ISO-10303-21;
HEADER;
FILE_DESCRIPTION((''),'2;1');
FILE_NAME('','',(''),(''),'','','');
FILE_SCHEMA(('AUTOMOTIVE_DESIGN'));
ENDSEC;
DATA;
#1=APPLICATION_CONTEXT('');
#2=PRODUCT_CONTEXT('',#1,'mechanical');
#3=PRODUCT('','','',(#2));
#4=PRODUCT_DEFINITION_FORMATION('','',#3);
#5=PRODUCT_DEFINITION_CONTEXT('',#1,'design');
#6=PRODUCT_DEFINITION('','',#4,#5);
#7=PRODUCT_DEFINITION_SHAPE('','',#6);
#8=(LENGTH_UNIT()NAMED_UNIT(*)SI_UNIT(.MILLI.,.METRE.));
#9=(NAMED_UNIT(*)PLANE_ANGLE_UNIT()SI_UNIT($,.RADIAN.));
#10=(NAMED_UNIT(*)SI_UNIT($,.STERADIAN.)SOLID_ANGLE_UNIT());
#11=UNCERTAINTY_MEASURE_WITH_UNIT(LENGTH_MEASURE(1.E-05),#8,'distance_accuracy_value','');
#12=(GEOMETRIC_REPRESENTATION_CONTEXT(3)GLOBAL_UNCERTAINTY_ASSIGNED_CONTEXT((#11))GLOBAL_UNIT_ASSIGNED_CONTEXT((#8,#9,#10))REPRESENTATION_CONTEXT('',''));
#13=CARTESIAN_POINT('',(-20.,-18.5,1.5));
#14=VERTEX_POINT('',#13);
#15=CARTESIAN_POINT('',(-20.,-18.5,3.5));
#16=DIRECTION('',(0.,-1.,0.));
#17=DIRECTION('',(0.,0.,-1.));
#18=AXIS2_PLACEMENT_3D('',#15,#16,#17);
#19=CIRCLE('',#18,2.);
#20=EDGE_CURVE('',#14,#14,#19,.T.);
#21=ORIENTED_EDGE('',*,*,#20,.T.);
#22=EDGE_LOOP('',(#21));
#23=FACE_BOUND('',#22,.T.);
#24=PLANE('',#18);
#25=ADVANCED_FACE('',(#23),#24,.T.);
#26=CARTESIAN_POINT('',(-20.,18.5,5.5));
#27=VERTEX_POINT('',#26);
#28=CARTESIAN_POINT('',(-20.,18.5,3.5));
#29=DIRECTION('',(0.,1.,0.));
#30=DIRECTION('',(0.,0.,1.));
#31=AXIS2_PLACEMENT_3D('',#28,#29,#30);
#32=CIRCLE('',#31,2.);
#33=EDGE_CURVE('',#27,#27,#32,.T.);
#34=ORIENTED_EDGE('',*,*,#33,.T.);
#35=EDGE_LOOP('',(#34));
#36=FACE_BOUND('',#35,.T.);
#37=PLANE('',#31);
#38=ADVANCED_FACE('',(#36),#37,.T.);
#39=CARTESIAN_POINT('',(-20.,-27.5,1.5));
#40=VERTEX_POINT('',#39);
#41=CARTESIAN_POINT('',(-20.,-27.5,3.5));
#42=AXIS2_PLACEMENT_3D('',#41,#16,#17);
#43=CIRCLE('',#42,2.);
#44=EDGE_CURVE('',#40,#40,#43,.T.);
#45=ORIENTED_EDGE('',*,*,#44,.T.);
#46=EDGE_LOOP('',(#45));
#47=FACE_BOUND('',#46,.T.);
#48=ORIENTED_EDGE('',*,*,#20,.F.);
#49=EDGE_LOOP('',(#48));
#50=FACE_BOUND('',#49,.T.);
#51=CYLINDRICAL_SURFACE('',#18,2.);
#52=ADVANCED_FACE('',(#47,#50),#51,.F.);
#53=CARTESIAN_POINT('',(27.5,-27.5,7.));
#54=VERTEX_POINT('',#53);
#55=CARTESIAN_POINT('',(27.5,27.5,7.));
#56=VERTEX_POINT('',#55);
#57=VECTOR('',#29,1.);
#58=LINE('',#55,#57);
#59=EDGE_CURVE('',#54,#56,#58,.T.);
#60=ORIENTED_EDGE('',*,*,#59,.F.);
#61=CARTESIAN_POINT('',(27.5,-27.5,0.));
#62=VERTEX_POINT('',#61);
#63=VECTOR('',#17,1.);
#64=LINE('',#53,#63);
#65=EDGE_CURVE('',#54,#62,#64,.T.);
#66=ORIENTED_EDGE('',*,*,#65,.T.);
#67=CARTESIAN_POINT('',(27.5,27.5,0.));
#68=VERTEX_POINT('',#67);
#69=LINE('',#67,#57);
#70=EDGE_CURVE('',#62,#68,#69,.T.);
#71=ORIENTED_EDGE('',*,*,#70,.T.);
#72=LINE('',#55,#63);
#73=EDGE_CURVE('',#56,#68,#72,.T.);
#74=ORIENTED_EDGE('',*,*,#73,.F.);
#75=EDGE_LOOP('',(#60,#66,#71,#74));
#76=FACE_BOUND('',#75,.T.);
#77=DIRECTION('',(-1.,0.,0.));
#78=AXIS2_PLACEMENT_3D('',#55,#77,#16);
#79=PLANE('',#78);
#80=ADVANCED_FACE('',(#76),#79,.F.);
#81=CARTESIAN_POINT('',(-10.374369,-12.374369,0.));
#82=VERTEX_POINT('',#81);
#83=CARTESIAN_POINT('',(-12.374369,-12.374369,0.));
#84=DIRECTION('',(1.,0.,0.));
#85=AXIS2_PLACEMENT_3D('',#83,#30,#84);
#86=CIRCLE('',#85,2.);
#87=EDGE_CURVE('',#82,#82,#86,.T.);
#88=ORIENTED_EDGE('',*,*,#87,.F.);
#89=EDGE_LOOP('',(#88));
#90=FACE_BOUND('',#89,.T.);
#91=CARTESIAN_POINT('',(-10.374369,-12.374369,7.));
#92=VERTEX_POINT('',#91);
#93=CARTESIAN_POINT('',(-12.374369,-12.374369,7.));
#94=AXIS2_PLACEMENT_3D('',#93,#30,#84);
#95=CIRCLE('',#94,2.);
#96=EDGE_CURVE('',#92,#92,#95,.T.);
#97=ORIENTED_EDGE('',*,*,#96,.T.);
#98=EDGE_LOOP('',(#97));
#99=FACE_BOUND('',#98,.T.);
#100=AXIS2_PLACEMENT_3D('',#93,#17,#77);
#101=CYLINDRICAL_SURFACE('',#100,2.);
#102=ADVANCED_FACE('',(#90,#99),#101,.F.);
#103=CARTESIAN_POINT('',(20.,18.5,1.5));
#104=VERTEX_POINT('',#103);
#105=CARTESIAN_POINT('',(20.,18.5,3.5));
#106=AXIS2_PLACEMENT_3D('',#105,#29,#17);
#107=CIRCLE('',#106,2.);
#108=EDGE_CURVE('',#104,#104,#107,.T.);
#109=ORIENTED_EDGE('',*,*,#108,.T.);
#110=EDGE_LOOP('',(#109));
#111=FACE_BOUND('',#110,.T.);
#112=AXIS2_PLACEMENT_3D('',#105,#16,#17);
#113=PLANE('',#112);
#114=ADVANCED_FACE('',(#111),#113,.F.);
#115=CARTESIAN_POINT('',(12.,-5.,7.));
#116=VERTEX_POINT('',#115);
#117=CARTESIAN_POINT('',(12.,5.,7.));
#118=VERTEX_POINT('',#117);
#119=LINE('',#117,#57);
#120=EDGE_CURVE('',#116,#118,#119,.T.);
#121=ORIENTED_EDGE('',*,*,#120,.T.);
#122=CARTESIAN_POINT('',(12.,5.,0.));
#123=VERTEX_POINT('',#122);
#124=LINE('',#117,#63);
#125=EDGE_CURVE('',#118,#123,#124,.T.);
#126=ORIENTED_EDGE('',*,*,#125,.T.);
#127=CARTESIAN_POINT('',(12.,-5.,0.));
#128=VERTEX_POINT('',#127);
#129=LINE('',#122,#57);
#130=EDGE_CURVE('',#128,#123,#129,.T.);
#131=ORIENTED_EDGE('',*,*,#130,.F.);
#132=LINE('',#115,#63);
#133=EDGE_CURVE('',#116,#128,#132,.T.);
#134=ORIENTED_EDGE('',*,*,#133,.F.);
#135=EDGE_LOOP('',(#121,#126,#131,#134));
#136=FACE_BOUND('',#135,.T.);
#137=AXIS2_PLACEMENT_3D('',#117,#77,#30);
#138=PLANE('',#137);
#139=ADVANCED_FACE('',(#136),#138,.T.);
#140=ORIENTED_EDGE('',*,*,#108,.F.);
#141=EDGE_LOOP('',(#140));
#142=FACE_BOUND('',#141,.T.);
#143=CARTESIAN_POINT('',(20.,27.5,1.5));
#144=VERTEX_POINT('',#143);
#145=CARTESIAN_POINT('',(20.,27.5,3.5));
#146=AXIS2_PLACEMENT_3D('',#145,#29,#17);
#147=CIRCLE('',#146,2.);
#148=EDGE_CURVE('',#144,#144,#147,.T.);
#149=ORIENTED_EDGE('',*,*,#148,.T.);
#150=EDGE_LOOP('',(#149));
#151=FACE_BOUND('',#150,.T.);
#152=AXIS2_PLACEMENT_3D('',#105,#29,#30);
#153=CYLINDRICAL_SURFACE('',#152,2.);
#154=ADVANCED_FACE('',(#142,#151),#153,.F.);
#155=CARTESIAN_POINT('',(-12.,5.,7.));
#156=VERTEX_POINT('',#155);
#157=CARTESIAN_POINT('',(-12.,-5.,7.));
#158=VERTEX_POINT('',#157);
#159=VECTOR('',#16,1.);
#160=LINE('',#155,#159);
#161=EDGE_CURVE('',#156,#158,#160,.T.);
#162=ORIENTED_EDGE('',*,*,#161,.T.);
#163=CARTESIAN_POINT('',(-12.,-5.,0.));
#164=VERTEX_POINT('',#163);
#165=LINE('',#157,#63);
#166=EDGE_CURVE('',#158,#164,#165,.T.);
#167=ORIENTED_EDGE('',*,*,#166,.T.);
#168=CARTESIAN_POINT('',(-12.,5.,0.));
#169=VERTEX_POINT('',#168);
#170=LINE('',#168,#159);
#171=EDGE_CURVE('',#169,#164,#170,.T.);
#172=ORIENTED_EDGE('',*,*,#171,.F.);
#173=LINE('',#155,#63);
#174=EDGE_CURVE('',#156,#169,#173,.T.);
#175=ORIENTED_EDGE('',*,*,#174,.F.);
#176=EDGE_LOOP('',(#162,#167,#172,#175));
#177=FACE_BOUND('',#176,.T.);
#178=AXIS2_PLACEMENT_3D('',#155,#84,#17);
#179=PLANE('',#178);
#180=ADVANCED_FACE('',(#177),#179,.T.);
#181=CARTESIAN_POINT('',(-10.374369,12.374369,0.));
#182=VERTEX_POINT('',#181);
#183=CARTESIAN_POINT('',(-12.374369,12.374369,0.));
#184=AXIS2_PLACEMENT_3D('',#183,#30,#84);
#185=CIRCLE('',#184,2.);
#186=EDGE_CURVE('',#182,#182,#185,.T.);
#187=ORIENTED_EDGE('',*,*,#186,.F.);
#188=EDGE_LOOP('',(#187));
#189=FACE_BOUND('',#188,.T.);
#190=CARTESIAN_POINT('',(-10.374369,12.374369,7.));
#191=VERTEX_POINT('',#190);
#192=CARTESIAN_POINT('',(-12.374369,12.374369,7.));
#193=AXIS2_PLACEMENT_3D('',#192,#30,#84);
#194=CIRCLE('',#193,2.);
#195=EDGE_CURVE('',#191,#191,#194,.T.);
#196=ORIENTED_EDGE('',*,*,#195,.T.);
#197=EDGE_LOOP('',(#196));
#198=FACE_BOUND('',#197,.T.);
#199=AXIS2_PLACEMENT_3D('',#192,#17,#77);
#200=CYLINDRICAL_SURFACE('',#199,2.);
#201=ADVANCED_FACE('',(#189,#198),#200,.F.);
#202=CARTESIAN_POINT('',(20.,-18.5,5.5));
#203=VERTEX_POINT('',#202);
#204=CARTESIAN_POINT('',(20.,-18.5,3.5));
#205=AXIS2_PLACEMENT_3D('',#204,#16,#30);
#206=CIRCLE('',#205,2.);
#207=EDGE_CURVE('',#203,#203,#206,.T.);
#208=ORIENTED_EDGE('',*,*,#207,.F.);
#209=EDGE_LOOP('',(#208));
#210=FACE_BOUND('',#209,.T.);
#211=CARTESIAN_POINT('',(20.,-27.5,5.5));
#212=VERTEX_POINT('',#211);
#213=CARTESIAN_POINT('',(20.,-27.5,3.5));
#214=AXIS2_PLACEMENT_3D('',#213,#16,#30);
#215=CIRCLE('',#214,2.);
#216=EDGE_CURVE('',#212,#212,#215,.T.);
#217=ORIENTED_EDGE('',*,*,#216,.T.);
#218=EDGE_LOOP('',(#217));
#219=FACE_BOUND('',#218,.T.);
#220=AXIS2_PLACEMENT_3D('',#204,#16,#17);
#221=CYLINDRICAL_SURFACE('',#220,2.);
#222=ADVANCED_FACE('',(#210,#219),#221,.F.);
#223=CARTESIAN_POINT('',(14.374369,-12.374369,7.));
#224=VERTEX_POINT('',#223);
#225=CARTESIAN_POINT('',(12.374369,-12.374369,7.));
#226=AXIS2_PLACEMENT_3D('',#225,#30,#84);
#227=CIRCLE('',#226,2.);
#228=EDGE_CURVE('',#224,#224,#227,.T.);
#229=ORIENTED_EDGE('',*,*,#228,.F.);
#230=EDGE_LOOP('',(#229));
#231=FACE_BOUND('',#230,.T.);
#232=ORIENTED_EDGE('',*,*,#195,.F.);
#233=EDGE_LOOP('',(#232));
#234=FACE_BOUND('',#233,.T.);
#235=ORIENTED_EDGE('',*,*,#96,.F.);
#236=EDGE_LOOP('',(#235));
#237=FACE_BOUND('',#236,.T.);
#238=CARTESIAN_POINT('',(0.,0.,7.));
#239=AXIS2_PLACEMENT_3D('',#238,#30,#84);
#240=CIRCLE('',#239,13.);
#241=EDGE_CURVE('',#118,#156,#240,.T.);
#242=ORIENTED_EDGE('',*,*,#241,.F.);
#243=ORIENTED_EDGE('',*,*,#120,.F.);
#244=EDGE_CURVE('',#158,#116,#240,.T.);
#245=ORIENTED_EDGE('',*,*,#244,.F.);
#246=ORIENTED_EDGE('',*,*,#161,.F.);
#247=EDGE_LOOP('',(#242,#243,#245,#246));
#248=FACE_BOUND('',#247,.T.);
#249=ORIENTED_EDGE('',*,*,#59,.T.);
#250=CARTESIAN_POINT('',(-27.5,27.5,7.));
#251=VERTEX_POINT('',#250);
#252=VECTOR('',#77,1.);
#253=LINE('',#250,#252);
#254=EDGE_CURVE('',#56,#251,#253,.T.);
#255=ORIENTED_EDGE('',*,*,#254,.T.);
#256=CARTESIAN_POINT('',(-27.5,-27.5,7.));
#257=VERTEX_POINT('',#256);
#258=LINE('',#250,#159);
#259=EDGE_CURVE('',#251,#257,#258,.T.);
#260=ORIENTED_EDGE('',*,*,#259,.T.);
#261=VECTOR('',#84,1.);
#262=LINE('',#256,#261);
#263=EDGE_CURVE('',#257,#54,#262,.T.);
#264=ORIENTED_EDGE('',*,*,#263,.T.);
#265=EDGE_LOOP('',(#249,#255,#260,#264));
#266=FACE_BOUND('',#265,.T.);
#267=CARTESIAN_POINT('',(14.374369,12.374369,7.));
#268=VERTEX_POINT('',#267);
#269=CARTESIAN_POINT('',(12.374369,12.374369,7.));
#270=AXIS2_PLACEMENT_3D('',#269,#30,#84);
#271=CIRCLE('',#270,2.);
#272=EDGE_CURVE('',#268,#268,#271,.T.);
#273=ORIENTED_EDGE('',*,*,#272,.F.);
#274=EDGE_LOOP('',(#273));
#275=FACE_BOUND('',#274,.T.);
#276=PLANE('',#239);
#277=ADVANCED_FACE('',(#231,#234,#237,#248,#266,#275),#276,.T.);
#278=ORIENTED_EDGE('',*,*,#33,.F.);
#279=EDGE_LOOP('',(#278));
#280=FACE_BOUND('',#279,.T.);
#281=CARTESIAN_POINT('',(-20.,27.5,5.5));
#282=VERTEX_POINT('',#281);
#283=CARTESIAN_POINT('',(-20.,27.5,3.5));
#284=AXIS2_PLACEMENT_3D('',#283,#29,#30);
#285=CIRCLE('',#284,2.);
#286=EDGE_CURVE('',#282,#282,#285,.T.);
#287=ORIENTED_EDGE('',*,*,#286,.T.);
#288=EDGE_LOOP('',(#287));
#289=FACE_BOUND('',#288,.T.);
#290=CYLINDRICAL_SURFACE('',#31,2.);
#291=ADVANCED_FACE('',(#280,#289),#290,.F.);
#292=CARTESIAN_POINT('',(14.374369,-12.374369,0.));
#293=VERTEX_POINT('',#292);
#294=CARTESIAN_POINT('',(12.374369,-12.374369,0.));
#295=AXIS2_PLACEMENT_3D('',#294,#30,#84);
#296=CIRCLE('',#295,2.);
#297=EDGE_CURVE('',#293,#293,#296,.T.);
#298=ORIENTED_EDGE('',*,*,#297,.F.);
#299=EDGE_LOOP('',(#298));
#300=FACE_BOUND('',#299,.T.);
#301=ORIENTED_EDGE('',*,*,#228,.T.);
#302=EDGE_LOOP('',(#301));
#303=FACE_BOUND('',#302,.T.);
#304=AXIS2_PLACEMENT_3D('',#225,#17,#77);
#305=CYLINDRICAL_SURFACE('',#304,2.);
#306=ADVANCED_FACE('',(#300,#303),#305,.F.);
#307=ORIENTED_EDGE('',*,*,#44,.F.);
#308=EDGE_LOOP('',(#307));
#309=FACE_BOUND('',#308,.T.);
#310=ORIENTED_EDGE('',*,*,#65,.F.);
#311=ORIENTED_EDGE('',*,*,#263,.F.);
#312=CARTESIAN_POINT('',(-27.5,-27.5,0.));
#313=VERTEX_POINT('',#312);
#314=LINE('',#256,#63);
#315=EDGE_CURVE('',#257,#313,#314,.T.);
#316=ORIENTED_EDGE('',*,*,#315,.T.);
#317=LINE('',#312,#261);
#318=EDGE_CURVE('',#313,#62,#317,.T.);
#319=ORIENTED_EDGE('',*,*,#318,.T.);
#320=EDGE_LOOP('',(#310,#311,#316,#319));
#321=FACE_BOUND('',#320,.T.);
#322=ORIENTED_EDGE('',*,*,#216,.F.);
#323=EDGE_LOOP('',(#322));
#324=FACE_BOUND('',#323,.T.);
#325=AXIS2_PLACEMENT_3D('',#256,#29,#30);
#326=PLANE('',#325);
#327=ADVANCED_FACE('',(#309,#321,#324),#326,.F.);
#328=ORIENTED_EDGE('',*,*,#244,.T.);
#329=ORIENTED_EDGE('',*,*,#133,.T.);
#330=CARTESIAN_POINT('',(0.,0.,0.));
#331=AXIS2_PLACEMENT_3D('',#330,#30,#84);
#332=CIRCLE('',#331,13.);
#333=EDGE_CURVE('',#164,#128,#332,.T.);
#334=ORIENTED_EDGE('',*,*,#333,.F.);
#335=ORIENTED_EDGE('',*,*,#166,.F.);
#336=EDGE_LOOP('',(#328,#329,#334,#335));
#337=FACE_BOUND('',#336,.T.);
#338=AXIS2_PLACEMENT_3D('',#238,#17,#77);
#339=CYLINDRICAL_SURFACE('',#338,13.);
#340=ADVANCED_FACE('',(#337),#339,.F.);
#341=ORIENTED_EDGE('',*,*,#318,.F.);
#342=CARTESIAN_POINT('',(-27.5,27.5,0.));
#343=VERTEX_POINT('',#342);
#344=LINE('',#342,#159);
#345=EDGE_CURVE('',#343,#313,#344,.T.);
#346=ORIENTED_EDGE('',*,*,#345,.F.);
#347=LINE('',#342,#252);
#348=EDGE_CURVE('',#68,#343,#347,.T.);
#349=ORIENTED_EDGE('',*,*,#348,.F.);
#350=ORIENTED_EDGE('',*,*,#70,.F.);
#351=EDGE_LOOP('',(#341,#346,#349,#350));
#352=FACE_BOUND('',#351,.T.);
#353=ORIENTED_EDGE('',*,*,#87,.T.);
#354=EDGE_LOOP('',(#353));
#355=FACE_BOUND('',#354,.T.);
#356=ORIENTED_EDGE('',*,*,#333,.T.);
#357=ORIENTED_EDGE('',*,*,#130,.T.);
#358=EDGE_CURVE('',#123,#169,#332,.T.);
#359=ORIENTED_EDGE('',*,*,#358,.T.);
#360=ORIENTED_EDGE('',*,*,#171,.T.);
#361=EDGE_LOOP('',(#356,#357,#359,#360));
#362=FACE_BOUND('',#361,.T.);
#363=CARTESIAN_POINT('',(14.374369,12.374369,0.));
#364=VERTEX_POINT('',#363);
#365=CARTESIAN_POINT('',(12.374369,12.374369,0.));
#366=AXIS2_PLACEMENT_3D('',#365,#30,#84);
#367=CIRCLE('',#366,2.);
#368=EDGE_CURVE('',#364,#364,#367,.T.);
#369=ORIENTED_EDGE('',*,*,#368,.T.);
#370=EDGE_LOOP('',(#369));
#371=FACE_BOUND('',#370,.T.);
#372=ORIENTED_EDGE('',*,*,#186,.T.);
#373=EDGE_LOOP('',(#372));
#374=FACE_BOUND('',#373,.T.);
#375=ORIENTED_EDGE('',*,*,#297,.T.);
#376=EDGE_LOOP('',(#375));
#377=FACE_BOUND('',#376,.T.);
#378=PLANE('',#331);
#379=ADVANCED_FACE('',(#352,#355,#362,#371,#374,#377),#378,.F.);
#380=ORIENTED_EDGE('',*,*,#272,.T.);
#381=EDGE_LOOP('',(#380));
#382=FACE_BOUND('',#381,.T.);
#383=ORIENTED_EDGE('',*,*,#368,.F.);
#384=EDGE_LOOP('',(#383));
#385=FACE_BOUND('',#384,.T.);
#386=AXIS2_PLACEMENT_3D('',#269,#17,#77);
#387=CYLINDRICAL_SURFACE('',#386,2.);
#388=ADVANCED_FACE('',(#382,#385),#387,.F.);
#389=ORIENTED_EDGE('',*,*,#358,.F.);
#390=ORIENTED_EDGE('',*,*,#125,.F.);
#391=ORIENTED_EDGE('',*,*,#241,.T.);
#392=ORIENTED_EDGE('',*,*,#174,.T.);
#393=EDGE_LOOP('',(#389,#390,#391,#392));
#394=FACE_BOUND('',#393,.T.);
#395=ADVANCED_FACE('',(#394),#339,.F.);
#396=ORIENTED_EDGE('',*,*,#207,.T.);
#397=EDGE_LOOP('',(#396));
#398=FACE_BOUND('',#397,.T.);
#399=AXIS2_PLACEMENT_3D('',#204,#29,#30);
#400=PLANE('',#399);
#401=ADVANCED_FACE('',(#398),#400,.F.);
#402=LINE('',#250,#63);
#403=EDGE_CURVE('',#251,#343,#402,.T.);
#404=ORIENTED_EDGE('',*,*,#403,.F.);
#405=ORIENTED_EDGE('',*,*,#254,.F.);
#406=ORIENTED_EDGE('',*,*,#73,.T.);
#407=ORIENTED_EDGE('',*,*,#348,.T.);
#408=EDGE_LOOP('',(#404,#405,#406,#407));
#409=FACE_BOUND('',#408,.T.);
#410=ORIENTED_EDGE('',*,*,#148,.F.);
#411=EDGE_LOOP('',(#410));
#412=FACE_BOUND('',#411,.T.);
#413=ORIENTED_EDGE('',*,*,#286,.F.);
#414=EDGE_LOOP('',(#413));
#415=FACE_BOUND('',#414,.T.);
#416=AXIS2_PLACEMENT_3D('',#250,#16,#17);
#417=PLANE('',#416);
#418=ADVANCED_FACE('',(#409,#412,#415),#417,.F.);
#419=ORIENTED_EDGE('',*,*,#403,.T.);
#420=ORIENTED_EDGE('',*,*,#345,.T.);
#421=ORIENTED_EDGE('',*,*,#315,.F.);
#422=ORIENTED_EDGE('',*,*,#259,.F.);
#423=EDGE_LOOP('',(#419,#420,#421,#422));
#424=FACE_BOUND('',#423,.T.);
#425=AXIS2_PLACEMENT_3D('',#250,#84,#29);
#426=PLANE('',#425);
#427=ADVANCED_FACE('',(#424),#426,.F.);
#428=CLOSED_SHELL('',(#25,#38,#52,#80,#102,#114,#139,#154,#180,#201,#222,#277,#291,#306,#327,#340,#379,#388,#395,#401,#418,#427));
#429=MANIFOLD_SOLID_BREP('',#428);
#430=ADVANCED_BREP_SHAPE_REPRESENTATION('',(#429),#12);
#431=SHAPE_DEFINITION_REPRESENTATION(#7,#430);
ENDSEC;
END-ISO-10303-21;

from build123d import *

# Parameters (mm, degrees)
SKETCH1_W           = 55
SKETCH1_H           = 55
SKETCH1_R           = 2
BOSS_EXTRUDE1_DEPTH = 7
SKETCH2_R           = 2
CUT_EXTRUDE1_DEPTH  = 9
SKETCH3_R           = 2
CUT_EXTRUDE2_DEPTH  = 9


with BuildPart() as part:
    # Sketch1 → Boss-Extrude1 (new body)
    with BuildSketch(Plane.XY):
        Rectangle(SKETCH1_W, SKETCH1_H)
        with Locations((-12.374368671, 12.374368671)):
            Circle(SKETCH1_R, mode=Mode.SUBTRACT)
        with Locations((12.374368671, 12.374368671)):
            Circle(SKETCH1_R, mode=Mode.SUBTRACT)
        with Locations((12.374368671, -12.374368671)):
            Circle(SKETCH1_R, mode=Mode.SUBTRACT)
        with Locations((-12.374368671, -12.374368671)):
            Circle(SKETCH1_R, mode=Mode.SUBTRACT)
        with BuildLine():
            Line((12, 5), (12, -5))
            ThreePointArc((12, -5), (0, -13), (-12, -5))
            Line((-12, -5), (-12, 5))
            ThreePointArc((-12, 5), (0, 13), (12, 5))
        make_face(mode=Mode.SUBTRACT)
    extrude(amount=BOSS_EXTRUDE1_DEPTH)

    # Sketch2 → Cut-Extrude1 (cut)
    with BuildSketch(Plane(origin=(0, 27.5, 0), x_dir=(1, 0, 0), z_dir=(0, 1, 0))):
        with Locations((-20, -3.5)):
            Circle(SKETCH2_R)
        with Locations((20, -3.5)):
            Circle(SKETCH2_R)
    extrude(amount=-CUT_EXTRUDE1_DEPTH, mode=Mode.SUBTRACT)

    # Sketch3 → Cut-Extrude2 (cut)
    with BuildSketch(Plane.XZ.offset(27.5)):
        with Locations((-20, 3.5)):
            Circle(SKETCH3_R)
        with Locations((20, 3.5)):
            Circle(SKETCH3_R)
    extrude(amount=-CUT_EXTRUDE2_DEPTH, mode=Mode.SUBTRACT)


solid = part.part
